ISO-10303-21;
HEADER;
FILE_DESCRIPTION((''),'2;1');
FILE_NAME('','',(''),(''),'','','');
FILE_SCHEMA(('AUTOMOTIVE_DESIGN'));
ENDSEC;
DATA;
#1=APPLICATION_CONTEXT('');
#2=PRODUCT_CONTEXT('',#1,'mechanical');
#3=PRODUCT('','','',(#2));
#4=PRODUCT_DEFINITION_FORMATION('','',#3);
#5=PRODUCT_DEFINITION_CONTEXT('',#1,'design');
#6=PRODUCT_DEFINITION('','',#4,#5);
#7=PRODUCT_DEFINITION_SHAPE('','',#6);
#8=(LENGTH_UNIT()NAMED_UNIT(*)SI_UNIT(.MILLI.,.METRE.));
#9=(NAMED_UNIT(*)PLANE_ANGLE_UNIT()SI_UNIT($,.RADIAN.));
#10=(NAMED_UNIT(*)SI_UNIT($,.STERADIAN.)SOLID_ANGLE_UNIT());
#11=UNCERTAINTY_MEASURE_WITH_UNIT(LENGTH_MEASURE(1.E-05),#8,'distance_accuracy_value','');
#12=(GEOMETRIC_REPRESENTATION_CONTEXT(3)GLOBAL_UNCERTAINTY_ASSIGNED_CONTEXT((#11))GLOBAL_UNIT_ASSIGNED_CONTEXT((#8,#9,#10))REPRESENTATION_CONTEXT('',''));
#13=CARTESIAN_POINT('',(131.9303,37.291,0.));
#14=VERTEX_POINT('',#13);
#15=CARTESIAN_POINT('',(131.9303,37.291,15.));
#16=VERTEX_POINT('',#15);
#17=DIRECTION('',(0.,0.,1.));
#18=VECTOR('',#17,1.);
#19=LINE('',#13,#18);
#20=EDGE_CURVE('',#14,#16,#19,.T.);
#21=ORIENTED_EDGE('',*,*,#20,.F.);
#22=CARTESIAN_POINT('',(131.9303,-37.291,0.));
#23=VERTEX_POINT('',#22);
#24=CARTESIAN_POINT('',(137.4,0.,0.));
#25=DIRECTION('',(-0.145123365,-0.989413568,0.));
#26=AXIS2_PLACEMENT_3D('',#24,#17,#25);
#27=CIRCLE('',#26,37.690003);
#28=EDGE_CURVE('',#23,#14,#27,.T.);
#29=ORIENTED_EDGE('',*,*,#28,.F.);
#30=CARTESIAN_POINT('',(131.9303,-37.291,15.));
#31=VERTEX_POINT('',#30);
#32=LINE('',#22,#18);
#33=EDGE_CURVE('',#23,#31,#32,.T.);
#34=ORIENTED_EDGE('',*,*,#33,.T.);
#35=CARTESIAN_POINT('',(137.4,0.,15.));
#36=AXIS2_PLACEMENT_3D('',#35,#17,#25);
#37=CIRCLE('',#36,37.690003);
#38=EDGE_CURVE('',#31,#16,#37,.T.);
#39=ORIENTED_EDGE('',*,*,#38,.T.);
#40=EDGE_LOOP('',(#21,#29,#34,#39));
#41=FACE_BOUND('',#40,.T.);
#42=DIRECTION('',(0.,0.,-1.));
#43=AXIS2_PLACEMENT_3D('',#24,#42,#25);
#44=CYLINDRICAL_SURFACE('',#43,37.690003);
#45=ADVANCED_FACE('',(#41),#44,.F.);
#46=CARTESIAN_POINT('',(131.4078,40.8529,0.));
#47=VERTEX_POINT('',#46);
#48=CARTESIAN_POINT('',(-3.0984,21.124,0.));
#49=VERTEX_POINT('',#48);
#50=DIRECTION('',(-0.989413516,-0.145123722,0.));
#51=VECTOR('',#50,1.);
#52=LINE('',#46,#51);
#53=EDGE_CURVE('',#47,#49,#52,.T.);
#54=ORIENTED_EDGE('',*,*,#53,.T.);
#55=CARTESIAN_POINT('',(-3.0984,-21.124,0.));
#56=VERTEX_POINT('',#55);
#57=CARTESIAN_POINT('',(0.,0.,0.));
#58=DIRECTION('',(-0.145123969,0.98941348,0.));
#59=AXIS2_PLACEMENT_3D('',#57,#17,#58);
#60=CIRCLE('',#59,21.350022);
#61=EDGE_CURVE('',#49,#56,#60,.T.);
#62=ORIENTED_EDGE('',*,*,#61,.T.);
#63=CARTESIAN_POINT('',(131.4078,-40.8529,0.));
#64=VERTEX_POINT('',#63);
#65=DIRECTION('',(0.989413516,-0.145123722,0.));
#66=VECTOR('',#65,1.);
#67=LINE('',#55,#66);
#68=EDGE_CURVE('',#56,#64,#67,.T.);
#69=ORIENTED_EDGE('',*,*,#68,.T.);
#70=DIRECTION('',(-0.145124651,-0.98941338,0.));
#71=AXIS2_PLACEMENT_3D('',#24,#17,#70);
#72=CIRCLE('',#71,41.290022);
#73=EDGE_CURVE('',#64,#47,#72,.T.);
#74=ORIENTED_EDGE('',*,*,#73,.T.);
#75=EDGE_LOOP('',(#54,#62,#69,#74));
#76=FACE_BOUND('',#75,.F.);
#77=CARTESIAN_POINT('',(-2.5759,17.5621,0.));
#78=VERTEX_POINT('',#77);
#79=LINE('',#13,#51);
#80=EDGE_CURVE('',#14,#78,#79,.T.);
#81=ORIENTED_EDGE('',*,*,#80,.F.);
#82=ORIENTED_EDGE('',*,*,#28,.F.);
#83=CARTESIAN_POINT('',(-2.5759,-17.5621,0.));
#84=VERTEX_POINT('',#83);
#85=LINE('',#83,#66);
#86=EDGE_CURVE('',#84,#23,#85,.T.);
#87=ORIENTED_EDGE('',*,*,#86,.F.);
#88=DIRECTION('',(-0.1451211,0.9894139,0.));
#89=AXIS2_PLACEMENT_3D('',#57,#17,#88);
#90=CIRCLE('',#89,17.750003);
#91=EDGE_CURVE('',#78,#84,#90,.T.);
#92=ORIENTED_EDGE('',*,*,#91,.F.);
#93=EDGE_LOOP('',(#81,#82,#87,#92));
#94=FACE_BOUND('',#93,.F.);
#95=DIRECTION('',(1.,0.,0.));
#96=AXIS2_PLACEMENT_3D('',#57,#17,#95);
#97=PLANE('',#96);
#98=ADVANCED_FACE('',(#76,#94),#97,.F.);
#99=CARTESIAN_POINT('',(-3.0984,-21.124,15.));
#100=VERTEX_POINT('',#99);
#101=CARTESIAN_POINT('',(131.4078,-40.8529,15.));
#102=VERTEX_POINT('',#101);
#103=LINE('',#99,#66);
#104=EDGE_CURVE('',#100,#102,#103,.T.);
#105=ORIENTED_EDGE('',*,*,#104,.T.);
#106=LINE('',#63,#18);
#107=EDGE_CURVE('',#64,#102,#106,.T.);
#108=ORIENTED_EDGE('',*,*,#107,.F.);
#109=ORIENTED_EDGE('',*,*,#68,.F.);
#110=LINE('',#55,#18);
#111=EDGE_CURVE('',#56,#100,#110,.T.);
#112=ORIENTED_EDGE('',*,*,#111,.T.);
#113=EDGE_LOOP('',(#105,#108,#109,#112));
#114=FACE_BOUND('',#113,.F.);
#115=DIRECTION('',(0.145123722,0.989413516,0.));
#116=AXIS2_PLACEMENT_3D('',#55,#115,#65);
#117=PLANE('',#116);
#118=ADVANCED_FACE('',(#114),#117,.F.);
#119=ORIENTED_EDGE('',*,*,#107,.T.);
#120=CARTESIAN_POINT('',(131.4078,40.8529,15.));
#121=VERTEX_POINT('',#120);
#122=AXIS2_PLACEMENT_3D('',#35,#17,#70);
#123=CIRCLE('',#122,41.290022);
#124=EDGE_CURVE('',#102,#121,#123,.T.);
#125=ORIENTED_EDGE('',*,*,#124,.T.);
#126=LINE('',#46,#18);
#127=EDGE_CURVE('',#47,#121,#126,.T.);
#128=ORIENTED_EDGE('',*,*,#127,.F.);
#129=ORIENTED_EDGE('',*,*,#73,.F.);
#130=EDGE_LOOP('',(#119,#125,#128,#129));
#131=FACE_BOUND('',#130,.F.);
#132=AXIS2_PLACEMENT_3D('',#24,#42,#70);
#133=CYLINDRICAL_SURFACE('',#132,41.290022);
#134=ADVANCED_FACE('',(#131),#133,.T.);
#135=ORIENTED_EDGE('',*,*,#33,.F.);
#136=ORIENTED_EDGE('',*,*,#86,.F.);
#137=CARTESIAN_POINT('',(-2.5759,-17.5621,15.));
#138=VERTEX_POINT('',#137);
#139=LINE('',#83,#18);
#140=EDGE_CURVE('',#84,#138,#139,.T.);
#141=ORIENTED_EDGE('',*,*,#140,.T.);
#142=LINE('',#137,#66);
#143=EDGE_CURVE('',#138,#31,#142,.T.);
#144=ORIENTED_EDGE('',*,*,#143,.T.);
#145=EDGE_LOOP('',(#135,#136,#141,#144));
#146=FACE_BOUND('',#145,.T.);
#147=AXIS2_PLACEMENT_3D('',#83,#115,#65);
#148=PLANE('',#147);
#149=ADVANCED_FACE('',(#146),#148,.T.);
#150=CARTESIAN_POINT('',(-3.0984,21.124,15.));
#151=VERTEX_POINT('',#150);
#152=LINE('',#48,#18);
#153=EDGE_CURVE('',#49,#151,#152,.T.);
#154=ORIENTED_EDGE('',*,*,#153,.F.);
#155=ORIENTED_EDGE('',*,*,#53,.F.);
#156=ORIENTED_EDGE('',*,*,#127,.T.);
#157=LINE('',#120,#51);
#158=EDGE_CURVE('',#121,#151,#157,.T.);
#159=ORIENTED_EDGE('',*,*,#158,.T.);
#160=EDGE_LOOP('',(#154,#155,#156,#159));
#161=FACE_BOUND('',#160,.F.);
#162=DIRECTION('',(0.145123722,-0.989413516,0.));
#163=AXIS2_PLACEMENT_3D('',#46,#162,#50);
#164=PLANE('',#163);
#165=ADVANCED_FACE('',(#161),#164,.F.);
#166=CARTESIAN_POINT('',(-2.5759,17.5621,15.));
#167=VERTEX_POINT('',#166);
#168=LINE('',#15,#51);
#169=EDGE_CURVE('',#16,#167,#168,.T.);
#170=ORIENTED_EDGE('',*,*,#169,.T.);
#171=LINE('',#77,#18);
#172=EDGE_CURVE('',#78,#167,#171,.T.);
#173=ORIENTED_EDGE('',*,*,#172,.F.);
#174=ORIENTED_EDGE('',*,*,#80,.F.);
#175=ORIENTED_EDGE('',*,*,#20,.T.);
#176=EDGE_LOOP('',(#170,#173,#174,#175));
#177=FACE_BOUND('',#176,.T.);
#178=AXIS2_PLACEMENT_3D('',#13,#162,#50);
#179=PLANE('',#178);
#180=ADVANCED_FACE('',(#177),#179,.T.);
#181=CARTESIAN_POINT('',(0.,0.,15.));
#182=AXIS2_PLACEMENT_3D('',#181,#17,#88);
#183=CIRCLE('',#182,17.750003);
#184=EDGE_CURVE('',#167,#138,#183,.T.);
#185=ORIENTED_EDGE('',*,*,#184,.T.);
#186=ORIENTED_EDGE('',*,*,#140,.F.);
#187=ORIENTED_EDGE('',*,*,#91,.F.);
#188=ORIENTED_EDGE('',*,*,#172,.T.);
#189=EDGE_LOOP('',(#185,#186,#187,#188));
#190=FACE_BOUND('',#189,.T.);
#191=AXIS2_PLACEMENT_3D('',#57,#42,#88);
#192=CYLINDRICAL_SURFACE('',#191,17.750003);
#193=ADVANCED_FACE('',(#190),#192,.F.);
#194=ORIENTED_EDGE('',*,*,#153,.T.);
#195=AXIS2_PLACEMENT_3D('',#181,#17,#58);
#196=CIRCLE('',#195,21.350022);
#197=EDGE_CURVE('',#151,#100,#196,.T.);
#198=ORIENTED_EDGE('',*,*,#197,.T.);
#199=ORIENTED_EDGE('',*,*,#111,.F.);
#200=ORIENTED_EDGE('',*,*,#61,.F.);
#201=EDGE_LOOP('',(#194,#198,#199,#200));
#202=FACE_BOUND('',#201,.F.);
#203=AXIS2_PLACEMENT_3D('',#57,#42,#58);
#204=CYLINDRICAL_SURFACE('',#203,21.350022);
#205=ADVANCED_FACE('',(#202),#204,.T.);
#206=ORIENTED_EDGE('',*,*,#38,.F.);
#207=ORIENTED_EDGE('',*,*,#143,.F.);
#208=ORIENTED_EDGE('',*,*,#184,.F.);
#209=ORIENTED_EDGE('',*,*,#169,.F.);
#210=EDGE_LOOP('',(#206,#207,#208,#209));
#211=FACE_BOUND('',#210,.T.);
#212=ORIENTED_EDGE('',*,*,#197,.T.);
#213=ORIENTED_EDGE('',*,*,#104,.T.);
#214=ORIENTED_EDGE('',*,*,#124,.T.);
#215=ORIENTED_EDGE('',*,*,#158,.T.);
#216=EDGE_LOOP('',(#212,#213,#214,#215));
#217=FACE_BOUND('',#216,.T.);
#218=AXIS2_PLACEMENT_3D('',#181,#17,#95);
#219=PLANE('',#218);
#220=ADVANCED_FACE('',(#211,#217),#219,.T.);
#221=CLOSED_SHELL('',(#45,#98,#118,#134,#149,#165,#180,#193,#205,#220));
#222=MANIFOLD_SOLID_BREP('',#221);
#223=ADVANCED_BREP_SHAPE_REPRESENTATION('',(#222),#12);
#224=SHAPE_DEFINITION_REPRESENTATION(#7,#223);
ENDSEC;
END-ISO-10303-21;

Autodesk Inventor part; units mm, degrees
ref_plane "YZ Plane" through (0, 0, 0) normal (1, 0, 0) x (0, 1, 0)
ref_plane "XZ Plane" through (0, 0, 0) normal (0, 1, 0) x (-1, 0, 0)
ref_plane "XY Plane" through (0, 0, 0) normal (0, 0, 1) x (1, 0, 0)
sketch "Sketch1" plane through (0, 0, 0) normal (0, 0, 1) x (1, 0, 0)
  arc A0 (-2.8807, 19.6399) -> (-2.8807, -19.6399) centre (0, 0) ccw
  arc A1 (131.6255, -39.3688) -> (131.6255, 39.3688) centre (137.4, 0) ccw
  line L0 (0, 0) -> (137.4, 0)
  line L1 (0, 0) -> (137.4, 0) construction
  line L2 (-2.8807, 19.6399) -> (131.6255, 39.3688)
  line L3 (-2.8807, -19.6399) -> (131.6255, -39.3688)
  arc A2 (131.9303, -37.291) -> (131.9303, 37.291) centre (137.4, 0) ccw
  line L4 (131.9303, 37.291) -> (-2.5759, 17.5621)
  arc A3 (-2.5759, 17.5621) -> (-2.5759, -17.5621) centre (0, 0) ccw
  line L5 (-2.5759, -17.5621) -> (131.9303, -37.291)
  arc A4 (131.4078, -40.8529) -> (131.4078, 40.8529) centre (137.4, 0) ccw
  line L6 (131.4078, 40.8529) -> (-3.0984, 21.124)
  arc A5 (-3.0984, 21.124) -> (-3.0984, -21.124) centre (0, 0) ccw
  line L7 (-3.0984, -21.124) -> (131.4078, -40.8529)
  dimension "d0" = 39.7
  dimension "d1" = 79.58
  dimension "d2" = 137.4
  dimension "d3" = 0
  dimension "d4" = 2.1
  dimension "d5" = 1.5
extrude "Extrusion1" add sketch "Sketch1" along normal blind 15 contours L2 A1 L3 A0 | L7 A5 L6 A4
properties part number "HTD5M 93 Belt" material "Rubber"
